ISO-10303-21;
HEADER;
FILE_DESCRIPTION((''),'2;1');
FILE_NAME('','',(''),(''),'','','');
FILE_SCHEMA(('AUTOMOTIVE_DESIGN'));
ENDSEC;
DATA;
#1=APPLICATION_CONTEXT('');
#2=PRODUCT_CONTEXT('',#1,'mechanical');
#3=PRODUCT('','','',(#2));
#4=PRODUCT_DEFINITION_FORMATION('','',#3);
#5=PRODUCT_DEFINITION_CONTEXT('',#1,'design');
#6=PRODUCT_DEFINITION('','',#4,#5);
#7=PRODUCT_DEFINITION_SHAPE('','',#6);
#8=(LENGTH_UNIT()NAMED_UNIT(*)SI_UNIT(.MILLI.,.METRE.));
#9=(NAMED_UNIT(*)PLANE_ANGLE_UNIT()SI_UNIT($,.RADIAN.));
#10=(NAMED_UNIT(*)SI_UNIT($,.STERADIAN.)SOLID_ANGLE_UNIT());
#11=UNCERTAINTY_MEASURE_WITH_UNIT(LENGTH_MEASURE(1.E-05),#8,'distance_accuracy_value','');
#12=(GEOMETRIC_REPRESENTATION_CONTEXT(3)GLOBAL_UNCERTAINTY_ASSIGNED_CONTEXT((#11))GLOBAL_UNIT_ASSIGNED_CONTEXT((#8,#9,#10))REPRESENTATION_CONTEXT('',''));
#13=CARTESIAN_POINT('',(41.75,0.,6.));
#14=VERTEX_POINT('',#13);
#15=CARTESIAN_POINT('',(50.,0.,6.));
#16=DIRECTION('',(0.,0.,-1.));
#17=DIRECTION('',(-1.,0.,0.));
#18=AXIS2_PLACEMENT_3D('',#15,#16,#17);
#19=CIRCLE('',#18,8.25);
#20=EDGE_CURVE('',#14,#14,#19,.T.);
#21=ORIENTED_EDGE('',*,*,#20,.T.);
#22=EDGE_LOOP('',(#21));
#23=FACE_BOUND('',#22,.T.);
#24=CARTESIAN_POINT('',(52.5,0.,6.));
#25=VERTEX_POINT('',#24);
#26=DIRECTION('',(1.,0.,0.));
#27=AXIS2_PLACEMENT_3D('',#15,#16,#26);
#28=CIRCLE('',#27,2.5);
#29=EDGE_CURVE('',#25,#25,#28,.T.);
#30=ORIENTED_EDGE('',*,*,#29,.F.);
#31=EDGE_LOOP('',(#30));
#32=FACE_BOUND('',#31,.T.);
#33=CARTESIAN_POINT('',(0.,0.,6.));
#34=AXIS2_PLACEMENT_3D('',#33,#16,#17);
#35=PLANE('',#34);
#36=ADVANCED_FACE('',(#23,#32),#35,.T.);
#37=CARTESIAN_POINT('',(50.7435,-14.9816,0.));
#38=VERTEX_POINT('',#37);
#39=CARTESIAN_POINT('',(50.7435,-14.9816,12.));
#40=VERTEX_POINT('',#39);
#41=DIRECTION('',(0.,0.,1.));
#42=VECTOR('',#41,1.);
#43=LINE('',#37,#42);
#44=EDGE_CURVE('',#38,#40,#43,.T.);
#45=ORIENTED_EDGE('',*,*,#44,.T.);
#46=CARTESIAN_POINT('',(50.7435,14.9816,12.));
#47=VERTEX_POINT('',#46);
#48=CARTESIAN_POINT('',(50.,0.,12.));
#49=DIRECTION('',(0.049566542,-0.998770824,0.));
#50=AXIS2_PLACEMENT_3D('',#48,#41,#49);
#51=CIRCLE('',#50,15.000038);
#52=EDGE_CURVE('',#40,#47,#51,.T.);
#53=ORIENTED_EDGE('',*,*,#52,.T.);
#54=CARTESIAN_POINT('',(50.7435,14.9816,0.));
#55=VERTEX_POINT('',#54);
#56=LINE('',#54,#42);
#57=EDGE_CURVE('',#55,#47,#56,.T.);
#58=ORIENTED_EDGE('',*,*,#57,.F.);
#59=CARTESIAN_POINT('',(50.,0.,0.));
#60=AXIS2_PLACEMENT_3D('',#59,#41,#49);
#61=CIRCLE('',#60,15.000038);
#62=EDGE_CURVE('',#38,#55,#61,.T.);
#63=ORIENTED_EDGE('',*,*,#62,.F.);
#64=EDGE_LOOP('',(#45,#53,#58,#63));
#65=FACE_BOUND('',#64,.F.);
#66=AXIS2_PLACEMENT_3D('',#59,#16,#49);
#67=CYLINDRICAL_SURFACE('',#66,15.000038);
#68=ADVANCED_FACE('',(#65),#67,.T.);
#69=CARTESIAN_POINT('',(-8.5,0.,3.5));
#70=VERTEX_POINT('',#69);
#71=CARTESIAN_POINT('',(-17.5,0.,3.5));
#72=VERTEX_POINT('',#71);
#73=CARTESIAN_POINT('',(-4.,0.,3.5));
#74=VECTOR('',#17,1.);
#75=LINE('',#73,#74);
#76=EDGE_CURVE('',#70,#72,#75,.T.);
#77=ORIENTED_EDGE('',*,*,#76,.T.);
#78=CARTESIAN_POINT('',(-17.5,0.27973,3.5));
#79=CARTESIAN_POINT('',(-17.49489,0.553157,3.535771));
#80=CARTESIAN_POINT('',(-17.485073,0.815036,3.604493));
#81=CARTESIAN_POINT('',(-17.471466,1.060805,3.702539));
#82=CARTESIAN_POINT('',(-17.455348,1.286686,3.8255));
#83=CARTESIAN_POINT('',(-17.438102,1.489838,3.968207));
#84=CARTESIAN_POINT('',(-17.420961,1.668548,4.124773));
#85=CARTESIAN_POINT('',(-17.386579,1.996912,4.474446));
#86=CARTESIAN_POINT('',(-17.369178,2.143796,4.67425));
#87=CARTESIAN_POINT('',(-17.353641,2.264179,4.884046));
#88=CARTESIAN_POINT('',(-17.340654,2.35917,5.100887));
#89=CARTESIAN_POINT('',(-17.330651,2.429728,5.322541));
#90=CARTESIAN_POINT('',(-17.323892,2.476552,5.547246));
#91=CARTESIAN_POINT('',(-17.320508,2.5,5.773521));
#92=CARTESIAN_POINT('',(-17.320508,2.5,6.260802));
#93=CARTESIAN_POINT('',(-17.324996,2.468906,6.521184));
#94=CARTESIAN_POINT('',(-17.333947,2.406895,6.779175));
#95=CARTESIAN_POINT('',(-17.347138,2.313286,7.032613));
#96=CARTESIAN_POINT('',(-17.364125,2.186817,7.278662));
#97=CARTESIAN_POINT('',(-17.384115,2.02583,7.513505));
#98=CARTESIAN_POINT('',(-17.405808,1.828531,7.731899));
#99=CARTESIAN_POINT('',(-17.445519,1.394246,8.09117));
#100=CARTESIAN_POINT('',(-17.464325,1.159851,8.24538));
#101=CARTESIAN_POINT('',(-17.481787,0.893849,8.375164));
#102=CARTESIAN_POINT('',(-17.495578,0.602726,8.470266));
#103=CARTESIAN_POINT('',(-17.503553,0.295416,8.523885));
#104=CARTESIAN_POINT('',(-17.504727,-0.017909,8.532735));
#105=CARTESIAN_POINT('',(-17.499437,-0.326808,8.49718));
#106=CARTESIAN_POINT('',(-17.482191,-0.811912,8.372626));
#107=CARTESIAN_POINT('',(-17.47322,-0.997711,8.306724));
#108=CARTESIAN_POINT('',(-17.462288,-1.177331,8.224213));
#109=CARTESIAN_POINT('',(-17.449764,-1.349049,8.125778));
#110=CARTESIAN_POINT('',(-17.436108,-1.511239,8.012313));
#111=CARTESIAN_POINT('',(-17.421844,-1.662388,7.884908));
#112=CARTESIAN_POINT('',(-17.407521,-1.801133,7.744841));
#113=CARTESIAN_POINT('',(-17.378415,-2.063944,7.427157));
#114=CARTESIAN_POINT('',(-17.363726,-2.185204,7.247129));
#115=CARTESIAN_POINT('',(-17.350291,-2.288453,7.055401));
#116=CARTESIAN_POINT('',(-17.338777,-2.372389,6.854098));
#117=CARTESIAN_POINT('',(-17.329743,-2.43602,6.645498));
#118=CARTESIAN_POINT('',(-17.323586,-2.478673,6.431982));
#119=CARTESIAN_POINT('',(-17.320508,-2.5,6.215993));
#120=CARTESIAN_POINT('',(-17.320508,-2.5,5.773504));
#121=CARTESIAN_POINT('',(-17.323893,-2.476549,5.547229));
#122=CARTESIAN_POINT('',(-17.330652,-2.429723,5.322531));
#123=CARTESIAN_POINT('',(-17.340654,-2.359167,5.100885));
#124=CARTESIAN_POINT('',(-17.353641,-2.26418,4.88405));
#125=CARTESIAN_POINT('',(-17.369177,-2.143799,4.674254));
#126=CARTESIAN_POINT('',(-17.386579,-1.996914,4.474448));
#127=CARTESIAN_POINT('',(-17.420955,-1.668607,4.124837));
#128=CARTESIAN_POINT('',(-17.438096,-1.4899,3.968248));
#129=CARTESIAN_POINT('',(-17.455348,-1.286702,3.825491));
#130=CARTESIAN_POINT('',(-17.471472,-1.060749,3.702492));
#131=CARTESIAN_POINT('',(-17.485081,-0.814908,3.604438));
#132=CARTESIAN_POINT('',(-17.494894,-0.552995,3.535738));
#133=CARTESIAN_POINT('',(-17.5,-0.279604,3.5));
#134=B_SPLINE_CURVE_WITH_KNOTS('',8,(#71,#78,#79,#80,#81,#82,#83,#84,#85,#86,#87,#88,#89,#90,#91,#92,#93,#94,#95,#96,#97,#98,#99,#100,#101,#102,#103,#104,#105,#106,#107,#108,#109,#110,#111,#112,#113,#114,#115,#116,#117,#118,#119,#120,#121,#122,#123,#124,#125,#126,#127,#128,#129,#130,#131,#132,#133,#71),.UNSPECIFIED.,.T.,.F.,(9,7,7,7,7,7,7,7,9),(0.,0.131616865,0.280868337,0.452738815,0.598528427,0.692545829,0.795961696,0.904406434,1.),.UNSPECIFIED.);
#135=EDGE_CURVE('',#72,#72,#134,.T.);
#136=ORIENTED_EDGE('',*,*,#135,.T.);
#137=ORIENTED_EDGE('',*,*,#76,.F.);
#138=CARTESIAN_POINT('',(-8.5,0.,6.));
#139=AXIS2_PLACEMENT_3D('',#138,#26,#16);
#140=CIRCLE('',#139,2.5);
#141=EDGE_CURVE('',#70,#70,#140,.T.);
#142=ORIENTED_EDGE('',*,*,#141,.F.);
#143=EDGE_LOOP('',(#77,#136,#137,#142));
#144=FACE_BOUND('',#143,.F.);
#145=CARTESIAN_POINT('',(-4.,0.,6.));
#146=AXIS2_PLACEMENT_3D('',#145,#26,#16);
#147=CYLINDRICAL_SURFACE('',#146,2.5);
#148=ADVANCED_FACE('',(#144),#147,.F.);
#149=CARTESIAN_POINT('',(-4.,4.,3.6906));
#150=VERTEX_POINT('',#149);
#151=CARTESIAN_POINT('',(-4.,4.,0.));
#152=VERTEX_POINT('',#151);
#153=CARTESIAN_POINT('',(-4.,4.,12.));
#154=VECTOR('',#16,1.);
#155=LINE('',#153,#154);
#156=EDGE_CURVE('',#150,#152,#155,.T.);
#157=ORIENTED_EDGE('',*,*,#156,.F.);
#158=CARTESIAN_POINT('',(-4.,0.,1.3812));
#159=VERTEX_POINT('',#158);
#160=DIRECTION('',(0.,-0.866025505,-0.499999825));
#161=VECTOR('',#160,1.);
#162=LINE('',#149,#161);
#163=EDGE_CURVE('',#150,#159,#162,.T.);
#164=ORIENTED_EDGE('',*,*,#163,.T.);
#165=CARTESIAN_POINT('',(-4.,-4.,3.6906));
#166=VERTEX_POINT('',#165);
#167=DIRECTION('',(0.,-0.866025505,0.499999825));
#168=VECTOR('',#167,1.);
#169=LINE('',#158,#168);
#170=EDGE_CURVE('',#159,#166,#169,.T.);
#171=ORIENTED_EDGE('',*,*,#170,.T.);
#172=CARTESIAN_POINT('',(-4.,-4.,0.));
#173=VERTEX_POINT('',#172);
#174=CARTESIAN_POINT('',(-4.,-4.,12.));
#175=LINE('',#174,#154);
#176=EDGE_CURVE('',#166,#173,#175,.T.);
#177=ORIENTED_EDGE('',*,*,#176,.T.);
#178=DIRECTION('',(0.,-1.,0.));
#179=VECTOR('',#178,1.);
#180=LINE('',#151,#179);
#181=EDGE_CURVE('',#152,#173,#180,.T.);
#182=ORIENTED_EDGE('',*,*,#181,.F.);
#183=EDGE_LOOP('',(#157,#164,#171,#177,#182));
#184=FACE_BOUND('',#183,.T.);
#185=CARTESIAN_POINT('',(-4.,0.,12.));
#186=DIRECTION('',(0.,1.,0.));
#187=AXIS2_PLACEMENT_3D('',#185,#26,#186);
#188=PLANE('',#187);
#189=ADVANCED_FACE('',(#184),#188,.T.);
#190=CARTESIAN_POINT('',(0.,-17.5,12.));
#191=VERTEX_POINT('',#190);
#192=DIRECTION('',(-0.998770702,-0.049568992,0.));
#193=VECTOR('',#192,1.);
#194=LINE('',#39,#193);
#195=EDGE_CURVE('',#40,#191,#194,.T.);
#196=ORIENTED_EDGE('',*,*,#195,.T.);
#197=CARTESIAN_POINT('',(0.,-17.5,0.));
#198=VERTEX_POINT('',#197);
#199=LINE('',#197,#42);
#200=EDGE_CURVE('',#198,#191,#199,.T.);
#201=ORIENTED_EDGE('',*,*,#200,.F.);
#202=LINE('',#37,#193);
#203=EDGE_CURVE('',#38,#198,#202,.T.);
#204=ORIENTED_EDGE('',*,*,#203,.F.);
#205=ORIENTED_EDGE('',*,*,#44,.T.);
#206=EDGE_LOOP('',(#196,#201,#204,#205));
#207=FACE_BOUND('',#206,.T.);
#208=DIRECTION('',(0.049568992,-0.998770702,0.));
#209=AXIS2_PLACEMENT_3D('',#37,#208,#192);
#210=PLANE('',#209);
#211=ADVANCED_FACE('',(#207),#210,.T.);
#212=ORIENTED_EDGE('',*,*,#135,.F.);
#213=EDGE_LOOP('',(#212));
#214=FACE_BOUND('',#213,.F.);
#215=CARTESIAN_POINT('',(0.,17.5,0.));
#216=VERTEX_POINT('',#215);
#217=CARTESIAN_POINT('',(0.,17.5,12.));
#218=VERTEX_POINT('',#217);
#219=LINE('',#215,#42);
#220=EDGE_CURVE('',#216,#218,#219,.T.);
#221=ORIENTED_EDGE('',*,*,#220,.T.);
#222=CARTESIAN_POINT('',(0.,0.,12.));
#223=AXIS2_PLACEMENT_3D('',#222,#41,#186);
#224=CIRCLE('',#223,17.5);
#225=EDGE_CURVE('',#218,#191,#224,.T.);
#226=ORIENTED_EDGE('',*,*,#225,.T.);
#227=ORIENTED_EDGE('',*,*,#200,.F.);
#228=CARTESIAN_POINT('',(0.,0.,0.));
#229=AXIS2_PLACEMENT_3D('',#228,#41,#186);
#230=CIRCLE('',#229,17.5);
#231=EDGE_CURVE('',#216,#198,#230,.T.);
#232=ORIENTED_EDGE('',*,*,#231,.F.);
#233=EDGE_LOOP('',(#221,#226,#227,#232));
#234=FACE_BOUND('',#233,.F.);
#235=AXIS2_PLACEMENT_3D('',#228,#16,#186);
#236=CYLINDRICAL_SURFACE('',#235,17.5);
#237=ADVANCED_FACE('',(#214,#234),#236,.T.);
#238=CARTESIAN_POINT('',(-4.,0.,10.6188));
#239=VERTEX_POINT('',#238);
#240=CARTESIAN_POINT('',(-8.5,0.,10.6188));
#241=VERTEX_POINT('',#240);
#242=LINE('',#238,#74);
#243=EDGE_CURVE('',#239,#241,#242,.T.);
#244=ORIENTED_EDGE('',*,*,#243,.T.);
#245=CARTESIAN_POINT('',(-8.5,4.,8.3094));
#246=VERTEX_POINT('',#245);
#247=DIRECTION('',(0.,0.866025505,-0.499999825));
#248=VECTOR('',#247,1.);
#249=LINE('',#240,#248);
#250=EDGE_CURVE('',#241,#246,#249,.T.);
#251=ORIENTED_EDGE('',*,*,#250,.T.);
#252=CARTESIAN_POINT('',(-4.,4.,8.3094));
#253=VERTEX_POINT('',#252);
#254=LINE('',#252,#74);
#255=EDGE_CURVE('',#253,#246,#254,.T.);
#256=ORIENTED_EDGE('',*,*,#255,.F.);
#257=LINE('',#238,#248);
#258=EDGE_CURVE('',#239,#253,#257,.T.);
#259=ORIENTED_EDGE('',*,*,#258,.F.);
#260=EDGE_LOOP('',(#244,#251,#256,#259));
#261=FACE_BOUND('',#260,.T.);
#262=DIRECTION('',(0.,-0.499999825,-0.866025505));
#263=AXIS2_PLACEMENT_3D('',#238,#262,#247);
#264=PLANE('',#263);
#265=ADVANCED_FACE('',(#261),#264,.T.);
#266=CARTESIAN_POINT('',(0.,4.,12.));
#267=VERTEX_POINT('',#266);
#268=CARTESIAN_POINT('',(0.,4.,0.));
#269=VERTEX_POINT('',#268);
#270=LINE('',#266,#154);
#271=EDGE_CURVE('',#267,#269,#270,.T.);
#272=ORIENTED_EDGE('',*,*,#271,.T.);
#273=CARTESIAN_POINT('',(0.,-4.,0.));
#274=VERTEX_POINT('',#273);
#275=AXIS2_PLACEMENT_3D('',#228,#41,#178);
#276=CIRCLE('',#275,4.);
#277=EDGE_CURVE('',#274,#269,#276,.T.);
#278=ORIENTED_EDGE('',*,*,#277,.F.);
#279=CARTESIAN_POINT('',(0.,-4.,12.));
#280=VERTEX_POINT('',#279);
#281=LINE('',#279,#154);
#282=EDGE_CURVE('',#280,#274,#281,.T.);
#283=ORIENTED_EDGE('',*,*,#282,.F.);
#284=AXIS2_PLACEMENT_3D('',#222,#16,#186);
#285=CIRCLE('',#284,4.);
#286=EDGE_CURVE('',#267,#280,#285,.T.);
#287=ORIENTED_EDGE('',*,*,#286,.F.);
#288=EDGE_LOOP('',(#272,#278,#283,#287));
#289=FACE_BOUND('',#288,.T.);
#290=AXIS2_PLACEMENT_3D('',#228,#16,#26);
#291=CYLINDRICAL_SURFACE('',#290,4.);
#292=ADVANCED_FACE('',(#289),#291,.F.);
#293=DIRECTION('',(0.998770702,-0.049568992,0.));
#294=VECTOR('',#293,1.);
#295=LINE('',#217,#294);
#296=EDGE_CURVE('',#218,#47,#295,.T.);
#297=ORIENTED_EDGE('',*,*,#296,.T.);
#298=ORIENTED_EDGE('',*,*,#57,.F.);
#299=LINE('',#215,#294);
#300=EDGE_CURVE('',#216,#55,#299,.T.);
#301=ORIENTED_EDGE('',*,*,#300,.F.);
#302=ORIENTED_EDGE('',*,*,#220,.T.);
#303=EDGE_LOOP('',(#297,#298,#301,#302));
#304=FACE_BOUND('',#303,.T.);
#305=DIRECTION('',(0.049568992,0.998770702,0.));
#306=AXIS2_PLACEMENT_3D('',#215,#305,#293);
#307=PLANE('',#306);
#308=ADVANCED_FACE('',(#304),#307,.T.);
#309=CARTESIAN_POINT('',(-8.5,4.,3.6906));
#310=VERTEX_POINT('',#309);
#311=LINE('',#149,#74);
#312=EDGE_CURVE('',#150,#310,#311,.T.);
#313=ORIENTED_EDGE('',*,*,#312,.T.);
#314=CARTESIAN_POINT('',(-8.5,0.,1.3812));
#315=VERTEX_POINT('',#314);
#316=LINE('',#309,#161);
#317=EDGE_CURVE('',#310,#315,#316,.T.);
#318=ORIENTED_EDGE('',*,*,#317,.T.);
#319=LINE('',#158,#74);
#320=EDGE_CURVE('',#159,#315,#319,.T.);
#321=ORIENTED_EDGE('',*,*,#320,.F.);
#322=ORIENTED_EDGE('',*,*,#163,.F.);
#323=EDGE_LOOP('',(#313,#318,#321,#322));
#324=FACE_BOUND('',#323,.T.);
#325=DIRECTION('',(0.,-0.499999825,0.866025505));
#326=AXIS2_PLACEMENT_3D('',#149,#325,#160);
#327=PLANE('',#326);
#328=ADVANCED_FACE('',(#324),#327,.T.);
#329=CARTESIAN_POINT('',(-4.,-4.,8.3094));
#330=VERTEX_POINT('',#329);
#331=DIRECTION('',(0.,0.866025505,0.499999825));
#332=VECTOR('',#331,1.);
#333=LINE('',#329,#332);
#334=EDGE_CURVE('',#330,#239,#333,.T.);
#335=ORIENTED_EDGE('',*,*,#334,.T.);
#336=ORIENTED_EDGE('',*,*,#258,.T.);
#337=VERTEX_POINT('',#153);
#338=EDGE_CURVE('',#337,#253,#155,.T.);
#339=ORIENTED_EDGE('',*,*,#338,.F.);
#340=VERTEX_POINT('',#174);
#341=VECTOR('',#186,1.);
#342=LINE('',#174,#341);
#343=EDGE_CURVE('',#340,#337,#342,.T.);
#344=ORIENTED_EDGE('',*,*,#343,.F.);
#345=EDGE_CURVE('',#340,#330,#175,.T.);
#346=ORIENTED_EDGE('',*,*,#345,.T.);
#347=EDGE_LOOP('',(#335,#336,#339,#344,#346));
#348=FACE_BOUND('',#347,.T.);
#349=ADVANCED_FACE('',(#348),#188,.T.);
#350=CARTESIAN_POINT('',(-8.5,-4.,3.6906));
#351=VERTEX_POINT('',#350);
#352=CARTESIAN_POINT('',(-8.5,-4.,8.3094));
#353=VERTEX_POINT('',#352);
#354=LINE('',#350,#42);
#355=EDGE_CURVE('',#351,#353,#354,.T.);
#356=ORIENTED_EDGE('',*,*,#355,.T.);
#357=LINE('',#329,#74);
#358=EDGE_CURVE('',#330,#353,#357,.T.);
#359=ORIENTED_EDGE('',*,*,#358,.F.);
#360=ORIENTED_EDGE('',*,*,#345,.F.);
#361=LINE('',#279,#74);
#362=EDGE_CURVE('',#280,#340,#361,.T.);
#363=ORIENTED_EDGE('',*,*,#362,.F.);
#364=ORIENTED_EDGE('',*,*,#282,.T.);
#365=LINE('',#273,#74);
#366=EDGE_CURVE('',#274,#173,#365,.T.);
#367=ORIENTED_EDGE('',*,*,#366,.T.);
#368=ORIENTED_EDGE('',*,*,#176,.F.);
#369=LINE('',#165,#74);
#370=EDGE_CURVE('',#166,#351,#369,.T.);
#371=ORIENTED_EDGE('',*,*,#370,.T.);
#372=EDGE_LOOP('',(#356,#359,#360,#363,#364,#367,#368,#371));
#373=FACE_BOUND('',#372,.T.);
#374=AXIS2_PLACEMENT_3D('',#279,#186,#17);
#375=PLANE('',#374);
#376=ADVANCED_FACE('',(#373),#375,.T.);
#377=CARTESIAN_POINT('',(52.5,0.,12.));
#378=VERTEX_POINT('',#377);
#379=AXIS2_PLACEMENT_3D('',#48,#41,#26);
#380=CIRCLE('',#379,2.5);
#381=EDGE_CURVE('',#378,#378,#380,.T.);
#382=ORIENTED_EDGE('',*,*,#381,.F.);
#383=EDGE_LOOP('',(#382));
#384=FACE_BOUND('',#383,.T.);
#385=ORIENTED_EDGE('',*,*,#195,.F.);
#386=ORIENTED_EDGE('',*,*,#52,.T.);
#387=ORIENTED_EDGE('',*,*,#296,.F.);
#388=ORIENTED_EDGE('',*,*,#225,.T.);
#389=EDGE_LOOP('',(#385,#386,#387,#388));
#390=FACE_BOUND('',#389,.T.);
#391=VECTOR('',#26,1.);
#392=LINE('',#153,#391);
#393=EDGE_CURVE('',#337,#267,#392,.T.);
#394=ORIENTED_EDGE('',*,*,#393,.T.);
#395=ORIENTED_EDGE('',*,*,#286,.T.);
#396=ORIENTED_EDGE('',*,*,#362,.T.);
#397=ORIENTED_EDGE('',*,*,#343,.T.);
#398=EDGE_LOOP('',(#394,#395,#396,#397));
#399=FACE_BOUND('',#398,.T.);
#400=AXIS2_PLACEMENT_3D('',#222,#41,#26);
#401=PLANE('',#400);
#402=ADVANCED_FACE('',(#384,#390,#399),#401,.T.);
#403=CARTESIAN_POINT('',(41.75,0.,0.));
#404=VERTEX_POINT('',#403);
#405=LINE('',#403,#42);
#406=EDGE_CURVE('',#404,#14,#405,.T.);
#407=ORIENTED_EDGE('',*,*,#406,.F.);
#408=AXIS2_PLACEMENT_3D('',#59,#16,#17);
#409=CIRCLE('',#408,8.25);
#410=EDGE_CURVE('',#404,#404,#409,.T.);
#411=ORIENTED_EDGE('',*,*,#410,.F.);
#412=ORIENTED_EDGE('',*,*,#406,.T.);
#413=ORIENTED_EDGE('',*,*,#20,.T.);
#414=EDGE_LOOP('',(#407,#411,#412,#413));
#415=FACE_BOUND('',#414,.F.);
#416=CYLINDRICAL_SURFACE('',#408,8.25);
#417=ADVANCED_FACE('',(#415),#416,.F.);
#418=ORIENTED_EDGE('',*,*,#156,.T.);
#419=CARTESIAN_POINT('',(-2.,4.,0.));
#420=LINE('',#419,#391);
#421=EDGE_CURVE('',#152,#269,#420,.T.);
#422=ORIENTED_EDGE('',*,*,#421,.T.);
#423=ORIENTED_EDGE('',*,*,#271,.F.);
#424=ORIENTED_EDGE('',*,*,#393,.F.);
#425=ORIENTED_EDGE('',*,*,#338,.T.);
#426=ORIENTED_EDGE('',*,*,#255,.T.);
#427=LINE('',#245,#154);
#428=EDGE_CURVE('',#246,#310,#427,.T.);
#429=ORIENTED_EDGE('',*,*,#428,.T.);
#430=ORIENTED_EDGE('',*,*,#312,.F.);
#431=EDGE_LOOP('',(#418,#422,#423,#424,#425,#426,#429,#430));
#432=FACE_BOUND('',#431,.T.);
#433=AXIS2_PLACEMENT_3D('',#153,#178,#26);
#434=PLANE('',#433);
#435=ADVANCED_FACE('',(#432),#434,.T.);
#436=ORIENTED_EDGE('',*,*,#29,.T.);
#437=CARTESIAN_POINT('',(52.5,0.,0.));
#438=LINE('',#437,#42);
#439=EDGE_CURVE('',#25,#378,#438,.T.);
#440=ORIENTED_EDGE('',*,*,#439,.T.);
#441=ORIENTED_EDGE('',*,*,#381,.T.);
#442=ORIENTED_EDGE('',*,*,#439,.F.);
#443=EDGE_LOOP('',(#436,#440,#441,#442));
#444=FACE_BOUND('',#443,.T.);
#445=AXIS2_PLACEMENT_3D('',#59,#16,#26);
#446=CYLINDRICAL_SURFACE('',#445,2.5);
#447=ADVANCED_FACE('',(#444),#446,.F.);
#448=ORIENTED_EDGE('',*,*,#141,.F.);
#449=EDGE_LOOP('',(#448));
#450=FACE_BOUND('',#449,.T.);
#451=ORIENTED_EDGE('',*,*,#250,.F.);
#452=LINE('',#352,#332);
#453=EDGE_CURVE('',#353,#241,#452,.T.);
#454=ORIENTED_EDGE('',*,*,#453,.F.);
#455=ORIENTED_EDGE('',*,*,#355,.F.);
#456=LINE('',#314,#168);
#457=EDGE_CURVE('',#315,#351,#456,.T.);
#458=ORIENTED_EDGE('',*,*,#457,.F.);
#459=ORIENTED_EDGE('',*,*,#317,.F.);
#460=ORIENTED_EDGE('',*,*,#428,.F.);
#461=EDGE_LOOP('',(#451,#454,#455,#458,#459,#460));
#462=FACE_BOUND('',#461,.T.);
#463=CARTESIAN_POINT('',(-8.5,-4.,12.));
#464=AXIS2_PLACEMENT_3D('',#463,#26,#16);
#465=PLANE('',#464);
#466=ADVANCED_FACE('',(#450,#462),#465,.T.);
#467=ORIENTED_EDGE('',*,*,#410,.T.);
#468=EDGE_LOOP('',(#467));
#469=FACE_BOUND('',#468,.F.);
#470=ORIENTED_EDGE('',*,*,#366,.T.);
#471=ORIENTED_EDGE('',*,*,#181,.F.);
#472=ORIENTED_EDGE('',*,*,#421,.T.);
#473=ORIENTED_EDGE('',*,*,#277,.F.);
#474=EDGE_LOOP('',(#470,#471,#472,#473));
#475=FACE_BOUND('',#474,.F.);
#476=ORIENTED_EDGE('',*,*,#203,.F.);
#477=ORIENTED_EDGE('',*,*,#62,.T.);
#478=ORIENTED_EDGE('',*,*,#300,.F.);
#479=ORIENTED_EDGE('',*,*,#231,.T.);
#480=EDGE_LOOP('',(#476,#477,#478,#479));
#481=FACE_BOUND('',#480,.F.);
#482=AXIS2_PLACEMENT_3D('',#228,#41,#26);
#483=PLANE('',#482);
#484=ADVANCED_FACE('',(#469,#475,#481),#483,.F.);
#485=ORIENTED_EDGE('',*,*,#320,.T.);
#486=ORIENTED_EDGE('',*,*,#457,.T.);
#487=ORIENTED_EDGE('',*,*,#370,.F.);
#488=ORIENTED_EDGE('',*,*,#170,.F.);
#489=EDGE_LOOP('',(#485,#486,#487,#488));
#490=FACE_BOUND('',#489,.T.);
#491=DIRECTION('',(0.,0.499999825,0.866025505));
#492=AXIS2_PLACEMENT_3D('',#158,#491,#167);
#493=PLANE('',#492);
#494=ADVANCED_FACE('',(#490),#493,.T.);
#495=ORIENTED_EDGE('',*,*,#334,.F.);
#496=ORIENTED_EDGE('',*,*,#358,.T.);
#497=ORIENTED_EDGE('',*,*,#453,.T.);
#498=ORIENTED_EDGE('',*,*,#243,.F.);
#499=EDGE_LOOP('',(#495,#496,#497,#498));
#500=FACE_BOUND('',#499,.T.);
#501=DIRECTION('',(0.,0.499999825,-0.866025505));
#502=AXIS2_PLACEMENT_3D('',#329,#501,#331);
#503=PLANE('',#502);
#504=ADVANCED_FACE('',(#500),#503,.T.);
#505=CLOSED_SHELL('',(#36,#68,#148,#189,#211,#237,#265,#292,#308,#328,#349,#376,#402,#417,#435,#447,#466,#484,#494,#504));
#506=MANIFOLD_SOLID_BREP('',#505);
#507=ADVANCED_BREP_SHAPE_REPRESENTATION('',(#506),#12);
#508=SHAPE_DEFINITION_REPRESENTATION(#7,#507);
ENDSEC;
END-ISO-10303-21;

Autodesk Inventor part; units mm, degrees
ref_plane "YZ Plane" through (0, 0, 0) normal (1, 0, 0) x (0, 1, 0)
ref_plane "XZ Plane" through (0, 0, 0) normal (0, 1, 0) x (-1, 0, 0)
ref_plane "XY Plane" through (0, 0, 0) normal (0, 0, 1) x (1, 0, 0)
sketch "Sketch1" plane through (0, 0, 0) normal (0, 0, 1) x (1, 0, 0)
  circle A0 centre (0, 0) radius 4
  arc A1 (0, 17.5) -> (0, -17.5) centre (0, 0) ccw
  arc A2 (50.7435, -14.9816) -> (50.7435, 14.9816) centre (50, 0) ccw
  line L0 (0, 17.5) -> (50.7435, 14.9816)
  line L1 (50.7435, -14.9816) -> (0, -17.5)
  circle A3 centre (50, 0) radius 2.5
  point P0 (1.8995, -17.4057)
  point P1 (1.8995, 17.4057)
  dimension "d0" = 8
  dimension "d1" = 35
  dimension "d2" = 30
  dimension "d3" = 50
  dimension "d4" = 0
  dimension "d5" = 5
extrude "Extrusion1" add sketch "Sketch1" along normal blind 12
sketch "Sketch7" plane through (0, 0, 0) normal (0, 0, -1) x (-1, 0, 0)
  circle A0 centre (-50, 0) radius 2.5 projected
  arc A1 (-50.7435, 14.9816) -> (-50.7435, -14.9816) centre (-50, 0) ccw projected
  circle A2 centre (-50, 0) radius 8.25
  dimension "d23" = 16.5
extrude "Extrusion7" cut sketch "Sketch7" against normal blind 6
sketch "Sketch8" plane through (0, 0, 12) normal (0, 0, 1) x (1, 0, 0)
  circle A0 centre (0, 0) radius 4 projected
  line L0 (-4, 4) -> (0, 4)
  line L1 (0, 4) -> (0, -4)
  line L2 (0, -4) -> (-4, -4)
  line L3 (-4, -4) -> (-4, 4)
  dimension "d26" = 8
  dimension "d27" = 4
extrude "Extrusion8" cut sketch "Sketch8" against normal through all contours L1 A0 | A0 L3 L0 | L2 L3 A0 picked at (-0.5785, -1.2013)
sketch "Sketch9" plane through (-4, -4, 12) normal (1, 0, 0) x (0, 0, -1)
  circle A0 centre (6, 4) radius 2.5
  point P0 (12, 4)
  dimension "d30" = 5
extrude "Extrusion9" cut sketch "Sketch9" against normal through all
sketch "Sketch10" plane through (-4, -4, 12) normal (1, 0, 0) x (0, 0, -1)
  circle A0 centre (6, 4) radius 2.5 projected
  line L0 (1.3812, 4) -> (3.6906, 8)
  line L1 (3.6906, 8) -> (8.3094, 8)
  line L2 (8.3094, 8) -> (10.6188, 4)
  line L3 (10.6188, 4) -> (8.3094, 0)
  line L4 (8.3094, 0) -> (3.6906, 0)
  line L5 (3.6906, 0) -> (1.3812, 4)
  point P0 (12, 4)
  dimension "d33" = 8
extrude "Extrusion10" cut sketch "Sketch10" against normal blind 4.5
properties part number "20013" material "ABS Plastic"
